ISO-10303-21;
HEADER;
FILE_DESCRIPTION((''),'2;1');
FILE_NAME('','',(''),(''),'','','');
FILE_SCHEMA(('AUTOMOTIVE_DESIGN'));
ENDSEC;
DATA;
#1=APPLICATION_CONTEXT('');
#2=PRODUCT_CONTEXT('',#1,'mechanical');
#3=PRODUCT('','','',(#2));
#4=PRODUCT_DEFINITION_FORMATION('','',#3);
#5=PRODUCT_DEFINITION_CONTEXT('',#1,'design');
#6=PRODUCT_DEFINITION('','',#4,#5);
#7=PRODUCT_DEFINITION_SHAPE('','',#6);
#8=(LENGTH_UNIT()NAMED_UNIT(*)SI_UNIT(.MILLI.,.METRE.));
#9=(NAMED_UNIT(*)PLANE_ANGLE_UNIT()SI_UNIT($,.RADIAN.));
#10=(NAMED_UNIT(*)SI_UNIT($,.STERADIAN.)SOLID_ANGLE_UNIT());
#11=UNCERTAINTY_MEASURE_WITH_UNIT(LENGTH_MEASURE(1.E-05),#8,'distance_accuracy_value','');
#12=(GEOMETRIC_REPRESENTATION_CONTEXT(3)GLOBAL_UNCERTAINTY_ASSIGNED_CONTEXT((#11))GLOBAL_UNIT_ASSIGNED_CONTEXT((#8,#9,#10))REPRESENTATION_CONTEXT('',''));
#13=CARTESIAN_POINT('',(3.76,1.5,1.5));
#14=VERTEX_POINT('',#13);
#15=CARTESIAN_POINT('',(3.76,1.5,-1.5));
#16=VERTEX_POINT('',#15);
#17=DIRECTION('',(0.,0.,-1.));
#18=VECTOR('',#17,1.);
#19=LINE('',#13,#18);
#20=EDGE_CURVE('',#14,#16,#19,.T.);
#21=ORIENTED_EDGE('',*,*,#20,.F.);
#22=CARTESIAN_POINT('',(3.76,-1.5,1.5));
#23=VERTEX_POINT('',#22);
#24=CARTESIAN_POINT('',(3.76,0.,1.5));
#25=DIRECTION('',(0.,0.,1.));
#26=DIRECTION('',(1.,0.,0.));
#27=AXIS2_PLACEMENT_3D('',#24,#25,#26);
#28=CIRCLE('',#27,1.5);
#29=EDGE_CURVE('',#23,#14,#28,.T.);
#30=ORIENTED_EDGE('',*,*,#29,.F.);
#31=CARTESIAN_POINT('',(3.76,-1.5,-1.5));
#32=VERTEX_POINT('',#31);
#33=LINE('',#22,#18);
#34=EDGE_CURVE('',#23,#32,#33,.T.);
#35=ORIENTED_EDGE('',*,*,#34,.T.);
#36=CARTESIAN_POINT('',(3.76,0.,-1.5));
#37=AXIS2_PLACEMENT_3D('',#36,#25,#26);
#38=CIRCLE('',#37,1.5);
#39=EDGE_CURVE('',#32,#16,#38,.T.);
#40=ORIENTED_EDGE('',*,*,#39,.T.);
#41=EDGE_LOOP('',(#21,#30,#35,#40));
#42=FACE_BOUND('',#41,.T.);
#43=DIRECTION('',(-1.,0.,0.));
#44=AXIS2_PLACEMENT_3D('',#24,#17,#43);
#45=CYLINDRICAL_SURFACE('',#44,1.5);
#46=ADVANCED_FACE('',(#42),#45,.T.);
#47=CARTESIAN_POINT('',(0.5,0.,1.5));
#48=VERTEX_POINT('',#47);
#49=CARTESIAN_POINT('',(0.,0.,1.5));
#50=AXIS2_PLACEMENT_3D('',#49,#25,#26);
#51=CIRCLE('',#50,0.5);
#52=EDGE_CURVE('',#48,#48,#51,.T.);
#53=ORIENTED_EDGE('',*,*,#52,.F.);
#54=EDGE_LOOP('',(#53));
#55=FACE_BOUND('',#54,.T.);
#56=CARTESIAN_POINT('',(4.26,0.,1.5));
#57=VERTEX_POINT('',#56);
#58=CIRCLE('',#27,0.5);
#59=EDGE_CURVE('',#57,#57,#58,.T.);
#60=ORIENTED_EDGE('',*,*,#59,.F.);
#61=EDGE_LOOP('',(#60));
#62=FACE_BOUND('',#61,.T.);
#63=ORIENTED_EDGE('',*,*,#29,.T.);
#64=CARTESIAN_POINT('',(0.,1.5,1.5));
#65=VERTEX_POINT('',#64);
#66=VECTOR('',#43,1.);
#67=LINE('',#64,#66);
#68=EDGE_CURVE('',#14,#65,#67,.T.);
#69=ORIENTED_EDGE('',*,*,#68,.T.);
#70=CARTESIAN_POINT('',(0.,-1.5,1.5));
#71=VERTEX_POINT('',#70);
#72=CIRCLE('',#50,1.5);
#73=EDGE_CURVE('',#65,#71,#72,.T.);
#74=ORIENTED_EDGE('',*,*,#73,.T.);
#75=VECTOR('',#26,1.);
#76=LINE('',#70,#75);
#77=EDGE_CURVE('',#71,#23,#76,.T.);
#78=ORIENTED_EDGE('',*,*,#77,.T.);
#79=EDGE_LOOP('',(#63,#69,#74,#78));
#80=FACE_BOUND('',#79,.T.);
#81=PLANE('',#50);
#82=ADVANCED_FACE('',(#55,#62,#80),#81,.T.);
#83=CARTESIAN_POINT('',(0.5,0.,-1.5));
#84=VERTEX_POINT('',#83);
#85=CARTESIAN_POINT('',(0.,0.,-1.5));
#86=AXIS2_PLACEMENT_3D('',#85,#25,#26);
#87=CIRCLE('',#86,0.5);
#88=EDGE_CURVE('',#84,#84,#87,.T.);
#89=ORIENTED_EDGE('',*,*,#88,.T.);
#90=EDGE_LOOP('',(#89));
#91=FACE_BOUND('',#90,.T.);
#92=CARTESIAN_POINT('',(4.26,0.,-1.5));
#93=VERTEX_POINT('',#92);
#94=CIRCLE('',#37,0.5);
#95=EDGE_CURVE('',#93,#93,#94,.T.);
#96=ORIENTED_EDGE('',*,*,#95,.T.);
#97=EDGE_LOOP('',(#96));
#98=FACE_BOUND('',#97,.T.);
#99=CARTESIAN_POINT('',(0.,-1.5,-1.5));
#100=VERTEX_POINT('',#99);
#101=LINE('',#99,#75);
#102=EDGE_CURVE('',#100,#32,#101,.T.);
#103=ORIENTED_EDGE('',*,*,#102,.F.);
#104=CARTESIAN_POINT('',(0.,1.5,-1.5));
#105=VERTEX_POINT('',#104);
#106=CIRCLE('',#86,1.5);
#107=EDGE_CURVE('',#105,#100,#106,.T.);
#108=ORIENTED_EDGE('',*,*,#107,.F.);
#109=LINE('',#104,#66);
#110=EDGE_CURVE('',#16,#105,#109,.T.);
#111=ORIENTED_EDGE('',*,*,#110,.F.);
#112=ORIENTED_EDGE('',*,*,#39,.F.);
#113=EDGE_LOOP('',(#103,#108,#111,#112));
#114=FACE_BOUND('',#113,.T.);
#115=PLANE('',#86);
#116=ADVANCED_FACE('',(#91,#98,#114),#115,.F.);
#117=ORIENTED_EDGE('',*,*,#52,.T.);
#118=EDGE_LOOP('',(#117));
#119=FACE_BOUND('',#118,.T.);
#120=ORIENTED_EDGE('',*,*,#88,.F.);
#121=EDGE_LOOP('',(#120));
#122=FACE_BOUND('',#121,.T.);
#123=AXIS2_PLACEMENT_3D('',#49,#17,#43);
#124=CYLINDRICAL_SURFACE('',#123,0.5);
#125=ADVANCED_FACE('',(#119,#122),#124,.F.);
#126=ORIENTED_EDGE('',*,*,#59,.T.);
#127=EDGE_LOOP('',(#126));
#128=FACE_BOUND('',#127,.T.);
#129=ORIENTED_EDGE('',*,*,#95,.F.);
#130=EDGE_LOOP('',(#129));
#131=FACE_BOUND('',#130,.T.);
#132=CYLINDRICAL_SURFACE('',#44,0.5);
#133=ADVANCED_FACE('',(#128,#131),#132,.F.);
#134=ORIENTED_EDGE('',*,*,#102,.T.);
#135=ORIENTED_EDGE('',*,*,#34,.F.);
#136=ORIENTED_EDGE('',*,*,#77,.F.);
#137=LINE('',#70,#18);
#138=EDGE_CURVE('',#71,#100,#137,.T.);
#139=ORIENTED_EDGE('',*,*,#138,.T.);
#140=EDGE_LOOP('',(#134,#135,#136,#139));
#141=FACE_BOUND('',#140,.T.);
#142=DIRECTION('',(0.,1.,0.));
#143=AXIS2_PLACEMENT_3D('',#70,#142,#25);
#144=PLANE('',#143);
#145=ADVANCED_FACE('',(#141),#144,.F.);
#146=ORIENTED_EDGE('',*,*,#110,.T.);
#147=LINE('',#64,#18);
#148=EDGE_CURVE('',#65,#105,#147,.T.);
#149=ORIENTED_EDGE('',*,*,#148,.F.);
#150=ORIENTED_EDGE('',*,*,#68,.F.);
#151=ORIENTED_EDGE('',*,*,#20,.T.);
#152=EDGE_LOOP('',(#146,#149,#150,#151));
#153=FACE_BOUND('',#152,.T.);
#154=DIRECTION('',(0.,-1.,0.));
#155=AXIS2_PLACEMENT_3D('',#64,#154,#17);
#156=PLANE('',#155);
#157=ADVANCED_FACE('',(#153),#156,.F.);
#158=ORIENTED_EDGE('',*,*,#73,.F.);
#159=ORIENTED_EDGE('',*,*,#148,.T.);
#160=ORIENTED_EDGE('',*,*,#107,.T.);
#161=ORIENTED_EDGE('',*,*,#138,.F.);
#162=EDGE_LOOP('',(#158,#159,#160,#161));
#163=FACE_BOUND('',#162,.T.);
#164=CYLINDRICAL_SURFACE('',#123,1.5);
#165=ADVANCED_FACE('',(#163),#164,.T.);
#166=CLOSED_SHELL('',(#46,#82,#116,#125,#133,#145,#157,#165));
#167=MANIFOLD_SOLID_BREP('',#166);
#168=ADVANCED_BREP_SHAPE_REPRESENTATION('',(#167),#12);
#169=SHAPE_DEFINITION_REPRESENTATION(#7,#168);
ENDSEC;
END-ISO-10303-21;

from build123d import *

# Parameters (mm, degrees)
SKETCH1_R           = 0.5
BOSS_EXTRUDE1_DEPTH = 1.5


with BuildPart() as part:
    # Sketch1 → Boss-Extrude1 (new, symmetric)
    with BuildSketch(Plane.XY):
        with BuildLine():
            Line((0, 1.5), (3.76, 1.5))
            ThreePointArc((3.76, 1.5), (5.26, 0), (3.76, -1.5))
            Line((3.76, -1.5), (0, -1.5))
            ThreePointArc((0, -1.5), (-1.5, 0), (0, 1.5))
        make_face()
        Circle(SKETCH1_R, mode=Mode.SUBTRACT)
        with Locations((3.76, 0)):
            Circle(SKETCH1_R, mode=Mode.SUBTRACT)
    extrude(amount=BOSS_EXTRUDE1_DEPTH, both=True)


solid = part.part
